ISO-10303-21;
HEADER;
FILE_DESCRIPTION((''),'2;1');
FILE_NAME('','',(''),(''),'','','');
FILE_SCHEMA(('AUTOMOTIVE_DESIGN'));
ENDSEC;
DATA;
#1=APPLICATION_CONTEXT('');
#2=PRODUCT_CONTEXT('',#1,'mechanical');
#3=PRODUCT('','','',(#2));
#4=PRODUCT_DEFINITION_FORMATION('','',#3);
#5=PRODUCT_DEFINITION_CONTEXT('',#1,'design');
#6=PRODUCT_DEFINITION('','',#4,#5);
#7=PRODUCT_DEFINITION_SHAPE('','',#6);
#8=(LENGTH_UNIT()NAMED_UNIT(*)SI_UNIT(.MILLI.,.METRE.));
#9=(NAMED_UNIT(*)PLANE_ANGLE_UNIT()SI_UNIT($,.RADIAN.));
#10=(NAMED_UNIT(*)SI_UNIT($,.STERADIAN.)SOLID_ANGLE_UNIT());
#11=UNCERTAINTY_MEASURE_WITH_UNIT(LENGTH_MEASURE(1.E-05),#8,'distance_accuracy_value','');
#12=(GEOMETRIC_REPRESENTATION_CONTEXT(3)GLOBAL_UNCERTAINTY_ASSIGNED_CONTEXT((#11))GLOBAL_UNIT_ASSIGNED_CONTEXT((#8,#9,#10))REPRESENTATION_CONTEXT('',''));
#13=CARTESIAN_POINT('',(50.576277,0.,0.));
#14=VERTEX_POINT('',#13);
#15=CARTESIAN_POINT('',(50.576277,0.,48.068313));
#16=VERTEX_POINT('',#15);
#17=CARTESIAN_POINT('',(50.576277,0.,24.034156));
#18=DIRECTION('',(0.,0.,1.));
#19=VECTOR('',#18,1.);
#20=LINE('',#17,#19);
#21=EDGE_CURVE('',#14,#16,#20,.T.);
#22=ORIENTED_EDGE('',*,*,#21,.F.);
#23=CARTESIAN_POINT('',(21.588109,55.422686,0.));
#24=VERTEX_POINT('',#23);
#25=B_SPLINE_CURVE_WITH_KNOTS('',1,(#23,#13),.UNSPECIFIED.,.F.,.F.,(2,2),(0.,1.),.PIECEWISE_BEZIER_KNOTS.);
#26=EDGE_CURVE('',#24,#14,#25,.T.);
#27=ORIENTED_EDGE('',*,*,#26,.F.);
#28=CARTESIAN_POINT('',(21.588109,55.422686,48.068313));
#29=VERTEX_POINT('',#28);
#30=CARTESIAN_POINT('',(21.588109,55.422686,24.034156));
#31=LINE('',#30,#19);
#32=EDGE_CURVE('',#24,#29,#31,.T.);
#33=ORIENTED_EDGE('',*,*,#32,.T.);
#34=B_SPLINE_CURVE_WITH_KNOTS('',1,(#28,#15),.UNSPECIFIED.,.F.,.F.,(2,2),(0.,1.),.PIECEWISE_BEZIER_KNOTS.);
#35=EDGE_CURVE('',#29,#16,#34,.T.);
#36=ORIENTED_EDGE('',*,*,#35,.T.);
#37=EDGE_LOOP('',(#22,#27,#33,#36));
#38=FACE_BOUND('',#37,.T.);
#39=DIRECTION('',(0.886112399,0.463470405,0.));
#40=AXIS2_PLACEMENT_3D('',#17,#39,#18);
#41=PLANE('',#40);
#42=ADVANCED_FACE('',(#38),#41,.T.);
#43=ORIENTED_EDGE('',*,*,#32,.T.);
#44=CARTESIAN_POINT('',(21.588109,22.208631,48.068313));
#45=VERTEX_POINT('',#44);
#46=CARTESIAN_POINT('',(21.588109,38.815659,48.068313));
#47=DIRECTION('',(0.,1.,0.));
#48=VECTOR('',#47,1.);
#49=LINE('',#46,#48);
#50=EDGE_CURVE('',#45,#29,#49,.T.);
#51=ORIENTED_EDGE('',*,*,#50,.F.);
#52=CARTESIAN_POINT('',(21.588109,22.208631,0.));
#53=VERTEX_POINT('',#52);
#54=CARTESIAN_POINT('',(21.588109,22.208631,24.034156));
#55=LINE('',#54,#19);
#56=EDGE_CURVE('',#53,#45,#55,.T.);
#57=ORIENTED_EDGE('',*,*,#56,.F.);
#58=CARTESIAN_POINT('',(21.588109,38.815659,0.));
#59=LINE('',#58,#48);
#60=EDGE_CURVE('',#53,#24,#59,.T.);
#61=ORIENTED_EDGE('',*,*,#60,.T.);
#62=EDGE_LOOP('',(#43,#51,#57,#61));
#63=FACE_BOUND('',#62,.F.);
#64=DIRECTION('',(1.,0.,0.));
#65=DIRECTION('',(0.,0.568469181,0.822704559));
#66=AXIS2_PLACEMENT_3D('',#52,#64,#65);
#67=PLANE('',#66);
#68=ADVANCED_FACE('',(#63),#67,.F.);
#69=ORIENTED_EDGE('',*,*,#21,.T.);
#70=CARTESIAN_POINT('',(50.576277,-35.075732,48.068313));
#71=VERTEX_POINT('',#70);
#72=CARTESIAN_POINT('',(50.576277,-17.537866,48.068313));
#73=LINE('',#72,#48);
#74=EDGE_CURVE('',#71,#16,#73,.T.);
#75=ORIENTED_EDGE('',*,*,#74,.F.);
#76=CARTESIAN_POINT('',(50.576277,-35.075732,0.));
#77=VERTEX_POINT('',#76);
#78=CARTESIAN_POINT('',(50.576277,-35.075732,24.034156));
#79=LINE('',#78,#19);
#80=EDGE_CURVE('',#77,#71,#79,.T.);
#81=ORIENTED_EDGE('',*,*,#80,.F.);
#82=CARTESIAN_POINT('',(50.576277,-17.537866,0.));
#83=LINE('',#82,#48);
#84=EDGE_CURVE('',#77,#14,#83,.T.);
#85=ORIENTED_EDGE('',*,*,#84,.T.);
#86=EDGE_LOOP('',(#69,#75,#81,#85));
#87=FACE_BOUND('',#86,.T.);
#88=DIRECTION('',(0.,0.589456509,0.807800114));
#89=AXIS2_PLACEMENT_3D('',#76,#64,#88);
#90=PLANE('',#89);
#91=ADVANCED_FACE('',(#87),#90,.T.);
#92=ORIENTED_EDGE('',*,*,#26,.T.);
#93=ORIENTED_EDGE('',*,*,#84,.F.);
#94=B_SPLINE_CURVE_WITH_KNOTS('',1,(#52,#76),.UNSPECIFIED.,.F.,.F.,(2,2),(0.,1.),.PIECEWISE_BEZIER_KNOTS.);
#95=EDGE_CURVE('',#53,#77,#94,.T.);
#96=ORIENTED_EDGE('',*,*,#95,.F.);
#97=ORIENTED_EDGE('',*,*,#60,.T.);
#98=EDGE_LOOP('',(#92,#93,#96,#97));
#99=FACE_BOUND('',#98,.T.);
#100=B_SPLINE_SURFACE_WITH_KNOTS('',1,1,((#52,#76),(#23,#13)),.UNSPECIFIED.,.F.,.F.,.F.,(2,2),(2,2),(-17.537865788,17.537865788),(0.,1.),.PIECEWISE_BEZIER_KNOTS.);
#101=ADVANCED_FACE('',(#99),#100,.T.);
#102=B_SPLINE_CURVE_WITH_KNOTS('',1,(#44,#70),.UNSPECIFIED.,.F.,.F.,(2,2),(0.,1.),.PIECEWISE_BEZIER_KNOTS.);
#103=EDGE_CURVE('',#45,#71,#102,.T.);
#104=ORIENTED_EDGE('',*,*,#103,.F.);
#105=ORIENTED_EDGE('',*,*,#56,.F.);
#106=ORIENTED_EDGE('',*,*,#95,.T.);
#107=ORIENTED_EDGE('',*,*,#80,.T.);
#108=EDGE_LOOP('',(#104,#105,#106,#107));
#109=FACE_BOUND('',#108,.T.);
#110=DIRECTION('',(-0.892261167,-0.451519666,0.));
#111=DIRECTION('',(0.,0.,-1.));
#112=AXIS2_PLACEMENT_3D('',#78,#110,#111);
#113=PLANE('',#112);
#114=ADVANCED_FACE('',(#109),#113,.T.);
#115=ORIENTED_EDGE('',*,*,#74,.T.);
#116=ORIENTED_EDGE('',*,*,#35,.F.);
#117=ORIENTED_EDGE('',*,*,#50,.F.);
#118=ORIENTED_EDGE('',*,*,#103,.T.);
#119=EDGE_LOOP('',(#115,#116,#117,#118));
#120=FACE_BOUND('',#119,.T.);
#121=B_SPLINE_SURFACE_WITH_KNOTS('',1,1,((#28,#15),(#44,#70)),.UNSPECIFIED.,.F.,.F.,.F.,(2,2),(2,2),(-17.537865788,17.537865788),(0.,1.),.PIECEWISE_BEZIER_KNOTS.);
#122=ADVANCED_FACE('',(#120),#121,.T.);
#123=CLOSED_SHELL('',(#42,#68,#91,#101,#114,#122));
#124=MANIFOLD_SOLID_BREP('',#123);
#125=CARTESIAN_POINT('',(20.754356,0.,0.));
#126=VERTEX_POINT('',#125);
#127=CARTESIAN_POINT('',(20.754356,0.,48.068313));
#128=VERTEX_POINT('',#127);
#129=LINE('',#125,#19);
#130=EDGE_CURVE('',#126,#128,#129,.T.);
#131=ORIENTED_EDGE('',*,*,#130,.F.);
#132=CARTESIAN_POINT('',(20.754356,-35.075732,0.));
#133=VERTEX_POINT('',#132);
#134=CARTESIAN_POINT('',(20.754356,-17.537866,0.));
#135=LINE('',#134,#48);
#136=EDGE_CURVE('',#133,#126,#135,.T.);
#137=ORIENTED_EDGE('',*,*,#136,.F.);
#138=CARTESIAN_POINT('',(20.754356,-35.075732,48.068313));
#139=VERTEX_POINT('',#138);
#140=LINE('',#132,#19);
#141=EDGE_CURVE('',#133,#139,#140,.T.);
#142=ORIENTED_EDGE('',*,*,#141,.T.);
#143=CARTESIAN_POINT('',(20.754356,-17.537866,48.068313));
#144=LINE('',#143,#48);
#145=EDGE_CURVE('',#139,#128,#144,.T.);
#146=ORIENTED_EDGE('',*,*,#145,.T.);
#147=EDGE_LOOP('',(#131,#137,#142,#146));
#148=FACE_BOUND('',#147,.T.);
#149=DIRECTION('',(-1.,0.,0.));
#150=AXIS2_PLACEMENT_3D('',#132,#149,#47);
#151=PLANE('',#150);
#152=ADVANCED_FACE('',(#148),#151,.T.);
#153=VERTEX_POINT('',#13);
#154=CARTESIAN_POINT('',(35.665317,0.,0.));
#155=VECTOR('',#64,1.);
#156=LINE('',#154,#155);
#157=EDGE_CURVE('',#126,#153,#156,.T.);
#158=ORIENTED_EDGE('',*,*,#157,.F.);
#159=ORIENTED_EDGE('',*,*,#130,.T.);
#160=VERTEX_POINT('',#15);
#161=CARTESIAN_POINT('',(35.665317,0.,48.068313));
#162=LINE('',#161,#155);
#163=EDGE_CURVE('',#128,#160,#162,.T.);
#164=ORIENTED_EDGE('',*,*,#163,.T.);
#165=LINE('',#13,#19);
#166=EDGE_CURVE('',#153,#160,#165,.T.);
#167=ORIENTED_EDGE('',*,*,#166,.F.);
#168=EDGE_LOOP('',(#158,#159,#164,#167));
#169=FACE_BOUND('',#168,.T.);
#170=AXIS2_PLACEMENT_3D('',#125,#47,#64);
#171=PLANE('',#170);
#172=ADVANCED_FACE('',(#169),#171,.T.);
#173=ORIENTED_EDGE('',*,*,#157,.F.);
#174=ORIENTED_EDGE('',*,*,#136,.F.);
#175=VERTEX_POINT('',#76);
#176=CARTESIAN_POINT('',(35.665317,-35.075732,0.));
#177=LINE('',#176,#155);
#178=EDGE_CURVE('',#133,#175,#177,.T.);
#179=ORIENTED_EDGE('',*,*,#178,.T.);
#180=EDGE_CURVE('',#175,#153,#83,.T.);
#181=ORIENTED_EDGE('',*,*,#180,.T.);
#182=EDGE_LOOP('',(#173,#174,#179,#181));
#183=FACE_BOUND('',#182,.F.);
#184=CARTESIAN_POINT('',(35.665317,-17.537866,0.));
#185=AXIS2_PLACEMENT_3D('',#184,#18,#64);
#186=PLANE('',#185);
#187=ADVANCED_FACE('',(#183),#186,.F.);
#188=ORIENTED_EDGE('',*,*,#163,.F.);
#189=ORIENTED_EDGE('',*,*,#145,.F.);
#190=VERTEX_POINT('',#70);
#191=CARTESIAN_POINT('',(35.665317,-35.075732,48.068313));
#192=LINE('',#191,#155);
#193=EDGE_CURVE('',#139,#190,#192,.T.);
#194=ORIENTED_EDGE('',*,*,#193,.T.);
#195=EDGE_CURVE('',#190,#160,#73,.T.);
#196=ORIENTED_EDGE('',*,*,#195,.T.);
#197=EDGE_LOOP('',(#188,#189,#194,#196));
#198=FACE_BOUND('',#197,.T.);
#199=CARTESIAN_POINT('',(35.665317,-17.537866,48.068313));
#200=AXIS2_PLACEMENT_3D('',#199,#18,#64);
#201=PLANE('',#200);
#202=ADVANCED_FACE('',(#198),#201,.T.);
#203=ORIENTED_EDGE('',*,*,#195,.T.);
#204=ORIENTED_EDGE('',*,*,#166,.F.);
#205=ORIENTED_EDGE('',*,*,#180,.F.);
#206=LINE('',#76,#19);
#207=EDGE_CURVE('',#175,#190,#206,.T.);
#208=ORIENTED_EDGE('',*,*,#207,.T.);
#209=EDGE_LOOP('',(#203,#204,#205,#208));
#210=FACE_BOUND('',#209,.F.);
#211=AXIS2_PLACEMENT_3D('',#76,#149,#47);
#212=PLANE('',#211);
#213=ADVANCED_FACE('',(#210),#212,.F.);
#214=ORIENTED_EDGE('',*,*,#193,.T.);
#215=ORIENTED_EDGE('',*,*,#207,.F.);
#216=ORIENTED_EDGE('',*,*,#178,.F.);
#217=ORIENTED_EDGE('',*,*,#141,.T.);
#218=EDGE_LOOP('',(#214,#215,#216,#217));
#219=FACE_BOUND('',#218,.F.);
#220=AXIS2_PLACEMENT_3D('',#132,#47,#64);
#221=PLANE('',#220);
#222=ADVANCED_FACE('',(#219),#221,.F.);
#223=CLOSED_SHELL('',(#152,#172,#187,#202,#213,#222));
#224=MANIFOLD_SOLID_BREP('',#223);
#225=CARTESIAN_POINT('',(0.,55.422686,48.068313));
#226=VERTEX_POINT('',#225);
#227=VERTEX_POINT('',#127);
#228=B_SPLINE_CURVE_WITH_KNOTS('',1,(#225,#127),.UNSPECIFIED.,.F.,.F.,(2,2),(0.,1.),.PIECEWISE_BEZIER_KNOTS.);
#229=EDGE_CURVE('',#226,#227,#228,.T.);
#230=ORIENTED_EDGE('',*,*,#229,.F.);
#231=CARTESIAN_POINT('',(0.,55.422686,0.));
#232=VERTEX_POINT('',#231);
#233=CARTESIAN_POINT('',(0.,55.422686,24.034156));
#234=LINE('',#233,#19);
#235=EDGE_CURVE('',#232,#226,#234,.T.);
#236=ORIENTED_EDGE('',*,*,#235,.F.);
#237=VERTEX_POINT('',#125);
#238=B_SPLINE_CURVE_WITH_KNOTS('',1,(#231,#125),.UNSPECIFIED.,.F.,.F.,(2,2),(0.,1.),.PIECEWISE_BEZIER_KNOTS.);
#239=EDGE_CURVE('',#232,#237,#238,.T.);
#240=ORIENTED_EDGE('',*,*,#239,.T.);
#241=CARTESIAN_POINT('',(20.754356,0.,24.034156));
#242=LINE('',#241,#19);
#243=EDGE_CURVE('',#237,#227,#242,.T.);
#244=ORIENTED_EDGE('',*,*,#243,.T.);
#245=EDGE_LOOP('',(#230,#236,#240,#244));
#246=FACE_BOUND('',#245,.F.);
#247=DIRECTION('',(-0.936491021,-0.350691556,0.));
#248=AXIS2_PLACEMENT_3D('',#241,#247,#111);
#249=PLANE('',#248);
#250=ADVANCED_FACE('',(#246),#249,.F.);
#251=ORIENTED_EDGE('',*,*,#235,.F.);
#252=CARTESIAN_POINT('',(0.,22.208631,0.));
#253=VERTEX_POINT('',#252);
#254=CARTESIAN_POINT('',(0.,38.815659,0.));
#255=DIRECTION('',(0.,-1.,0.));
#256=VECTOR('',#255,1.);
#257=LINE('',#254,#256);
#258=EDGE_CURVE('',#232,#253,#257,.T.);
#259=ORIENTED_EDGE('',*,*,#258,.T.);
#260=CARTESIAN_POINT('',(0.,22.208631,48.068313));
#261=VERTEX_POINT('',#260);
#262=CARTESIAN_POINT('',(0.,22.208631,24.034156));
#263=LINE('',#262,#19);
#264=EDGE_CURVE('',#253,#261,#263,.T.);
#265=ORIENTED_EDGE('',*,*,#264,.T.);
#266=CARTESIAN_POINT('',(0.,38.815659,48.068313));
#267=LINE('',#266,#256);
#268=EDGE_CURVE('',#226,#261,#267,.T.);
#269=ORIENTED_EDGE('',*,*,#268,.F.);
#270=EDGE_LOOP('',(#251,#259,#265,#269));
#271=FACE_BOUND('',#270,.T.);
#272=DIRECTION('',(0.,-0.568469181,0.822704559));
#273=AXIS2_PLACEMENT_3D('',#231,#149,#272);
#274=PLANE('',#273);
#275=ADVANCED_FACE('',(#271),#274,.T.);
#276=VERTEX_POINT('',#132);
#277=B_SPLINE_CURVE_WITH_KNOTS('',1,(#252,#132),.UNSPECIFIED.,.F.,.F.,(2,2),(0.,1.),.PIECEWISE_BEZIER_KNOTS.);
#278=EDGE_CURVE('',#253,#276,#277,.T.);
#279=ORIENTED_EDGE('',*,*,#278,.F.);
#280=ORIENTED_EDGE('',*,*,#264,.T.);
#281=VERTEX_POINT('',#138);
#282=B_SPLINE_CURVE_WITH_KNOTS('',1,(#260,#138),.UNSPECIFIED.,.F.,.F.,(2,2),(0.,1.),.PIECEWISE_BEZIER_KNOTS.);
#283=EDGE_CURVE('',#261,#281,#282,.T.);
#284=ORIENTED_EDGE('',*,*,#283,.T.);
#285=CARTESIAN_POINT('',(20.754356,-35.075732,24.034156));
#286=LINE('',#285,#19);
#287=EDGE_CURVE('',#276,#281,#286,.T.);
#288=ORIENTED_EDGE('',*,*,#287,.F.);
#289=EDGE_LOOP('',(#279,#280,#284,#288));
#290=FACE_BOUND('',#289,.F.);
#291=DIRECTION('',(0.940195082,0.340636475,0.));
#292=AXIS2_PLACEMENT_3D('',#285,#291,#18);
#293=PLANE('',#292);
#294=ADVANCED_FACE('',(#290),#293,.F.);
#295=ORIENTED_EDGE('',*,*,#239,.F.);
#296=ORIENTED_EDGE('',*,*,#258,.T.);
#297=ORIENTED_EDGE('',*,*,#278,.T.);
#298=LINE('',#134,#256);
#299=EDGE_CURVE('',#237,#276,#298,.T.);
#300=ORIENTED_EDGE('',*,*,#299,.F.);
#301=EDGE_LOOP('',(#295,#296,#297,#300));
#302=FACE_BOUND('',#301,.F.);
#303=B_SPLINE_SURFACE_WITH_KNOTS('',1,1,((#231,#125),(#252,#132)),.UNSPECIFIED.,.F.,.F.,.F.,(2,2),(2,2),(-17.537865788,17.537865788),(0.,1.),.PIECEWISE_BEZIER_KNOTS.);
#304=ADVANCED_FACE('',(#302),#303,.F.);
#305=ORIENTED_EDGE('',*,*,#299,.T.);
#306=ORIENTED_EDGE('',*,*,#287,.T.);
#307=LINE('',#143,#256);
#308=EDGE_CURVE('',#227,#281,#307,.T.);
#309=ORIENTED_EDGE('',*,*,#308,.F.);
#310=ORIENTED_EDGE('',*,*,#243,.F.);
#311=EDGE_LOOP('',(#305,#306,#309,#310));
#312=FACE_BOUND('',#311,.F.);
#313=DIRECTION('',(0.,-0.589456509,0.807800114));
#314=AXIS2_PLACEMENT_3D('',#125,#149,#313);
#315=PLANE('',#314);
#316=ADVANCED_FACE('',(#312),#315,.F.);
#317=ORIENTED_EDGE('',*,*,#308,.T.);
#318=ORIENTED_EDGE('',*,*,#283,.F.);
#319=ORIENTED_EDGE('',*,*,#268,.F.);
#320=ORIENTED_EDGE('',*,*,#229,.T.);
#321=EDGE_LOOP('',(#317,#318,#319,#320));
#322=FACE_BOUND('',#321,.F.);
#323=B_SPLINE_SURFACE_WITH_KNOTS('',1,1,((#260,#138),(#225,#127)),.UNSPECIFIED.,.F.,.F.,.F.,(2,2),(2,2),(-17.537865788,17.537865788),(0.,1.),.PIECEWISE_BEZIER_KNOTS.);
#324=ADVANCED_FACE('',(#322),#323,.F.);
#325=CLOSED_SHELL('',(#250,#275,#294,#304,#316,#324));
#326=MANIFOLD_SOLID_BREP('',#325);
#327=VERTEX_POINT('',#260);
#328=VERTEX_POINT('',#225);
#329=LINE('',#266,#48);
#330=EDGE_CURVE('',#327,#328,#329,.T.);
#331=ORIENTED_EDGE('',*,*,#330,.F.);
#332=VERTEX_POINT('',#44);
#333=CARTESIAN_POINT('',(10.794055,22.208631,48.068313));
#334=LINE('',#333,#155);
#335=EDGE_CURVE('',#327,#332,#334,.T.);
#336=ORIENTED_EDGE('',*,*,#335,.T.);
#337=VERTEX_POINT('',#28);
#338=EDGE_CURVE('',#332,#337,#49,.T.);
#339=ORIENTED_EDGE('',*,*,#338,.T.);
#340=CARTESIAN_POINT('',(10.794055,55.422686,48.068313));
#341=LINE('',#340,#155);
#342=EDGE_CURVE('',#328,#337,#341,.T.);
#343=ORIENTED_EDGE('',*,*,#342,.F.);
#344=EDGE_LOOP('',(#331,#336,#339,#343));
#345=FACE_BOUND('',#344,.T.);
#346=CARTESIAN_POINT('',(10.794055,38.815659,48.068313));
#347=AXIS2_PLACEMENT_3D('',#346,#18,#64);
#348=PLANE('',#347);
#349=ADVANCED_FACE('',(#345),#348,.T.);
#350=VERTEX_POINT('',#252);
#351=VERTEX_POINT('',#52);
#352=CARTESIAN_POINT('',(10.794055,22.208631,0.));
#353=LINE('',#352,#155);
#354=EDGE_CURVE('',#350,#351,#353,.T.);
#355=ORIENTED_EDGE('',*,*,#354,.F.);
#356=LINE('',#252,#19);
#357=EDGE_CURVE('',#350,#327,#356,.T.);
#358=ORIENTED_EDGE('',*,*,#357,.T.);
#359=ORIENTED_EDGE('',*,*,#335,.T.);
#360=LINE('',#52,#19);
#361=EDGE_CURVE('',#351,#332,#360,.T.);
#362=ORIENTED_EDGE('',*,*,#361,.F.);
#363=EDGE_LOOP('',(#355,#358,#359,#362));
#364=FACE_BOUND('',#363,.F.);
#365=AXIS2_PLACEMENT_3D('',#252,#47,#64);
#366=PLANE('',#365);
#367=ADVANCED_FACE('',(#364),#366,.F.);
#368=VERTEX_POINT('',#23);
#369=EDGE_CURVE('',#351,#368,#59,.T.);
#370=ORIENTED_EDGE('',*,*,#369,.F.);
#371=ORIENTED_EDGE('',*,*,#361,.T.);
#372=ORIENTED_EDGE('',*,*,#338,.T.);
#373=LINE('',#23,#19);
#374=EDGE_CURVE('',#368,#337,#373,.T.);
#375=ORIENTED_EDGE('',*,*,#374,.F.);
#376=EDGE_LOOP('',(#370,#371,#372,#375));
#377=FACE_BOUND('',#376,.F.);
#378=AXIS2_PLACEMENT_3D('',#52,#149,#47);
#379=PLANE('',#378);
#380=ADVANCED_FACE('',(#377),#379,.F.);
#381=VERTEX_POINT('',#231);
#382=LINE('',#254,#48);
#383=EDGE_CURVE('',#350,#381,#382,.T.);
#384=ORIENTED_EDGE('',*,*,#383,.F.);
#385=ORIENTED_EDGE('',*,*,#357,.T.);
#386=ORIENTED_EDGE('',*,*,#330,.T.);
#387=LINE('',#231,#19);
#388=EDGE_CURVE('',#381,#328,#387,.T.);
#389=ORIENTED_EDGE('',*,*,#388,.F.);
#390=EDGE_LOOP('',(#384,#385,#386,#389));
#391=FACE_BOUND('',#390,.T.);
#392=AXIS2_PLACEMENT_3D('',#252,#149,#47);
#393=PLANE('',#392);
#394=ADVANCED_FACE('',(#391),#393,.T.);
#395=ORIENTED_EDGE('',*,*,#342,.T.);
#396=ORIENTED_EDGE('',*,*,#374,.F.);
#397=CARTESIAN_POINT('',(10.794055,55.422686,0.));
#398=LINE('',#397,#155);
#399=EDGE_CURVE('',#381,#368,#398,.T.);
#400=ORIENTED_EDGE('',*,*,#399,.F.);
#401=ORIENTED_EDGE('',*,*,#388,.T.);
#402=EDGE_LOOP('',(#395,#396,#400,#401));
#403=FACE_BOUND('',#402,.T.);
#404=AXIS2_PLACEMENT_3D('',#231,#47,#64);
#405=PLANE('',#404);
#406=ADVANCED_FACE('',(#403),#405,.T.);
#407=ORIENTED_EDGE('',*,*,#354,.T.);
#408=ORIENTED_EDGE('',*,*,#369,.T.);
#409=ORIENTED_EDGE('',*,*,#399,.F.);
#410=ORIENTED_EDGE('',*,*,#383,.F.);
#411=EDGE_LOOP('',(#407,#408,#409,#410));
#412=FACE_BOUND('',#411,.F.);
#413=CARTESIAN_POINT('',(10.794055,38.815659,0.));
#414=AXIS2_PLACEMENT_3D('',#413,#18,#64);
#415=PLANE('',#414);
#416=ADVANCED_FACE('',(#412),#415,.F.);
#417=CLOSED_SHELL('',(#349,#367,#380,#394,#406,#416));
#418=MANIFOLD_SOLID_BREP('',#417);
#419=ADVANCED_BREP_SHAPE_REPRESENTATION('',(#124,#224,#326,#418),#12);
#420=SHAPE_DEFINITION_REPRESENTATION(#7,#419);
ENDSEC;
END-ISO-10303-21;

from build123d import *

# Parameters (mm, degrees)
F0_W       = 29.82192114
F0_H       = 35.0757315755
F1_DEPTH   = 48.0683129281
F0_W_2     = 21.5881094337
F0_H_2     = 33.2140550017
F1_FACE_W  = 33.2140550017
F1_FACE_H  = 48.0683129281
F1_FACE1_W = 35.0757315755
F1_FACE1_H = 48.0683129281
F1_FACE2_W = 33.2140550017
F1_FACE2_H = 48.0683129281
F1_FACE3_W = 35.0757315755
F1_FACE3_H = 48.0683129281


with BuildPart() as f1:
    # F0 (on Top) → F1 (new body)
    with BuildSketch(Plane.XY):
        with Locations((35.6653165072, -17.5378657877)):
            Rectangle(F0_W, F0_H)
    extrude(amount=F1_DEPTH)


with BuildPart() as f1b:
    # F0 (on Top) → F1, piece 2 (new body)
    with BuildSketch(Plane.XY):
        with Locations((10.7940547168, 38.8156585395)):
            Rectangle(F0_W_2, F0_H_2)
    extrude(amount=F1_DEPTH)


with BuildPart() as f2:
    # F1_face (on face) → F2 section 0
    with BuildSketch(Plane(origin=(21.5881094337, 38.8156585395, 24.034156464), x_dir=(0, 1, 0), z_dir=(1, 0, 0))):
        Rectangle(F1_FACE_W, F1_FACE_H)
    # F1_face1 (on face) → F2 section 1
    with BuildSketch(Plane(origin=(50.5762770772, -17.5378657877, 24.034156464), x_dir=(0, 1, 0), z_dir=(1, 0, 0))):
        Rectangle(F1_FACE1_W, F1_FACE1_H)
    loft()


with BuildPart() as f3:
    # F1_face2 (on face) → F3 section 0
    with BuildSketch(Plane(origin=(0, 38.8156585395, 24.034156464), x_dir=(0, -1, 0), z_dir=(-1, 0, 0))):
        Rectangle(F1_FACE2_W, F1_FACE2_H)
    # F1_face3 (on face) → F3 section 1
    with BuildSketch(Plane(origin=(20.7543559372, -17.5378657877, 24.034156464), x_dir=(0, -1, 0), z_dir=(-1, 0, 0))):
        Rectangle(F1_FACE3_W, F1_FACE3_H)
    loft()


solid = Compound([f1.part, f1b.part, f2.part, f3.part])
